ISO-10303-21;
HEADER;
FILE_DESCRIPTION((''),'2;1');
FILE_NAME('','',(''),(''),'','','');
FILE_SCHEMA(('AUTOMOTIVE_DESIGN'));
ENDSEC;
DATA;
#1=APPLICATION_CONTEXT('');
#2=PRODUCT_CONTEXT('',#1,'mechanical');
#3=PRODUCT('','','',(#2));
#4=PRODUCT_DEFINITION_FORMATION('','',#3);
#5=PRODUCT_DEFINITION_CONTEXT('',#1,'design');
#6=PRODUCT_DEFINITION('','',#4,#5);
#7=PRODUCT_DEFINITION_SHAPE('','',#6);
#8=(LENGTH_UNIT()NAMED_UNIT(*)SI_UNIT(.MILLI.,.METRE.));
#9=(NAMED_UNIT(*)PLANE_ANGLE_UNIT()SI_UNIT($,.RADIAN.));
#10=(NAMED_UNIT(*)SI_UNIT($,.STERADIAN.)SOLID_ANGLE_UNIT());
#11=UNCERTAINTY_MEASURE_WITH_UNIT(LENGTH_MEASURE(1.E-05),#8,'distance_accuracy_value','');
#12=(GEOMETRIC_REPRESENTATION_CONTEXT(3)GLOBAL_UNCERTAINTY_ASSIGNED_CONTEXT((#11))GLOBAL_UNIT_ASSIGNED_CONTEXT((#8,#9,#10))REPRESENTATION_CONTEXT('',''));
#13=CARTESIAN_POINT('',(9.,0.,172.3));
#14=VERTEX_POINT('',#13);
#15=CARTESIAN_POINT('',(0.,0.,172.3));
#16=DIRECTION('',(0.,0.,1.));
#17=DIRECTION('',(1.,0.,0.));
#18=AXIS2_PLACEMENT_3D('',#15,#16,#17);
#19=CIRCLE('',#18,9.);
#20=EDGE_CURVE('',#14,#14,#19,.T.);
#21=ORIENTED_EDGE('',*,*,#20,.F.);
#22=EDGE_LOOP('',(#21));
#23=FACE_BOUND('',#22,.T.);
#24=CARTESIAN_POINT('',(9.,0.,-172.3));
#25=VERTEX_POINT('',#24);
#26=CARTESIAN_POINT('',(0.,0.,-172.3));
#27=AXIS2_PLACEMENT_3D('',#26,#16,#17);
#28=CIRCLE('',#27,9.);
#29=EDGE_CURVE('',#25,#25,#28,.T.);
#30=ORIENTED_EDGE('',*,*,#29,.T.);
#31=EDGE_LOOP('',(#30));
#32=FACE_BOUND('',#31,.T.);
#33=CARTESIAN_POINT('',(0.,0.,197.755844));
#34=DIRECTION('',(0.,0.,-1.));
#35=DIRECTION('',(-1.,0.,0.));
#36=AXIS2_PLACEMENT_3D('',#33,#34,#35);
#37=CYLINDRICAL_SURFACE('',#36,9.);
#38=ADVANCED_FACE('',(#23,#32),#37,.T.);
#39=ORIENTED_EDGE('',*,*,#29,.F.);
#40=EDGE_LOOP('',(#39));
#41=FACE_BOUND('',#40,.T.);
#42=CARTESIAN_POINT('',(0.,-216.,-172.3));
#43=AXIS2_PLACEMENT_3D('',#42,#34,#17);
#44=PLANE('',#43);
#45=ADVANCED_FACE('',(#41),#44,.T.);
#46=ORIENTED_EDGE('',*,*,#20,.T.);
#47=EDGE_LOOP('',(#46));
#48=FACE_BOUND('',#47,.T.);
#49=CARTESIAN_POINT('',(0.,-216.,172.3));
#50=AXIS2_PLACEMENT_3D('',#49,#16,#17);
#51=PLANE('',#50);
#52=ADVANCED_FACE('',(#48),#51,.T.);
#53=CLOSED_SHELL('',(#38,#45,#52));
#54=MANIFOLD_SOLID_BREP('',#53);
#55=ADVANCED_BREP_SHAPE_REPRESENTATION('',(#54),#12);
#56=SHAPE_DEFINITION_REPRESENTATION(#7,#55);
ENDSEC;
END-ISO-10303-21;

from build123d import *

# Parameters (mm, degrees)
SKETCH_1_R      = 9
EXTRUDE_1_DEPTH = 172.3


with BuildPart() as part:
    # Эскиз1 → Бобышка-Вытянуть1 (new body)
    with BuildSketch(Plane.XY):
        Circle(SKETCH_1_R)
    extrude(amount=EXTRUDE_1_DEPTH)

    # Зеркальное отражение1: part across plane


with BuildPart() as part_1:
    add(part.part)
    add(part.part.mirror(Plane.XY))


solid = part_1.part
